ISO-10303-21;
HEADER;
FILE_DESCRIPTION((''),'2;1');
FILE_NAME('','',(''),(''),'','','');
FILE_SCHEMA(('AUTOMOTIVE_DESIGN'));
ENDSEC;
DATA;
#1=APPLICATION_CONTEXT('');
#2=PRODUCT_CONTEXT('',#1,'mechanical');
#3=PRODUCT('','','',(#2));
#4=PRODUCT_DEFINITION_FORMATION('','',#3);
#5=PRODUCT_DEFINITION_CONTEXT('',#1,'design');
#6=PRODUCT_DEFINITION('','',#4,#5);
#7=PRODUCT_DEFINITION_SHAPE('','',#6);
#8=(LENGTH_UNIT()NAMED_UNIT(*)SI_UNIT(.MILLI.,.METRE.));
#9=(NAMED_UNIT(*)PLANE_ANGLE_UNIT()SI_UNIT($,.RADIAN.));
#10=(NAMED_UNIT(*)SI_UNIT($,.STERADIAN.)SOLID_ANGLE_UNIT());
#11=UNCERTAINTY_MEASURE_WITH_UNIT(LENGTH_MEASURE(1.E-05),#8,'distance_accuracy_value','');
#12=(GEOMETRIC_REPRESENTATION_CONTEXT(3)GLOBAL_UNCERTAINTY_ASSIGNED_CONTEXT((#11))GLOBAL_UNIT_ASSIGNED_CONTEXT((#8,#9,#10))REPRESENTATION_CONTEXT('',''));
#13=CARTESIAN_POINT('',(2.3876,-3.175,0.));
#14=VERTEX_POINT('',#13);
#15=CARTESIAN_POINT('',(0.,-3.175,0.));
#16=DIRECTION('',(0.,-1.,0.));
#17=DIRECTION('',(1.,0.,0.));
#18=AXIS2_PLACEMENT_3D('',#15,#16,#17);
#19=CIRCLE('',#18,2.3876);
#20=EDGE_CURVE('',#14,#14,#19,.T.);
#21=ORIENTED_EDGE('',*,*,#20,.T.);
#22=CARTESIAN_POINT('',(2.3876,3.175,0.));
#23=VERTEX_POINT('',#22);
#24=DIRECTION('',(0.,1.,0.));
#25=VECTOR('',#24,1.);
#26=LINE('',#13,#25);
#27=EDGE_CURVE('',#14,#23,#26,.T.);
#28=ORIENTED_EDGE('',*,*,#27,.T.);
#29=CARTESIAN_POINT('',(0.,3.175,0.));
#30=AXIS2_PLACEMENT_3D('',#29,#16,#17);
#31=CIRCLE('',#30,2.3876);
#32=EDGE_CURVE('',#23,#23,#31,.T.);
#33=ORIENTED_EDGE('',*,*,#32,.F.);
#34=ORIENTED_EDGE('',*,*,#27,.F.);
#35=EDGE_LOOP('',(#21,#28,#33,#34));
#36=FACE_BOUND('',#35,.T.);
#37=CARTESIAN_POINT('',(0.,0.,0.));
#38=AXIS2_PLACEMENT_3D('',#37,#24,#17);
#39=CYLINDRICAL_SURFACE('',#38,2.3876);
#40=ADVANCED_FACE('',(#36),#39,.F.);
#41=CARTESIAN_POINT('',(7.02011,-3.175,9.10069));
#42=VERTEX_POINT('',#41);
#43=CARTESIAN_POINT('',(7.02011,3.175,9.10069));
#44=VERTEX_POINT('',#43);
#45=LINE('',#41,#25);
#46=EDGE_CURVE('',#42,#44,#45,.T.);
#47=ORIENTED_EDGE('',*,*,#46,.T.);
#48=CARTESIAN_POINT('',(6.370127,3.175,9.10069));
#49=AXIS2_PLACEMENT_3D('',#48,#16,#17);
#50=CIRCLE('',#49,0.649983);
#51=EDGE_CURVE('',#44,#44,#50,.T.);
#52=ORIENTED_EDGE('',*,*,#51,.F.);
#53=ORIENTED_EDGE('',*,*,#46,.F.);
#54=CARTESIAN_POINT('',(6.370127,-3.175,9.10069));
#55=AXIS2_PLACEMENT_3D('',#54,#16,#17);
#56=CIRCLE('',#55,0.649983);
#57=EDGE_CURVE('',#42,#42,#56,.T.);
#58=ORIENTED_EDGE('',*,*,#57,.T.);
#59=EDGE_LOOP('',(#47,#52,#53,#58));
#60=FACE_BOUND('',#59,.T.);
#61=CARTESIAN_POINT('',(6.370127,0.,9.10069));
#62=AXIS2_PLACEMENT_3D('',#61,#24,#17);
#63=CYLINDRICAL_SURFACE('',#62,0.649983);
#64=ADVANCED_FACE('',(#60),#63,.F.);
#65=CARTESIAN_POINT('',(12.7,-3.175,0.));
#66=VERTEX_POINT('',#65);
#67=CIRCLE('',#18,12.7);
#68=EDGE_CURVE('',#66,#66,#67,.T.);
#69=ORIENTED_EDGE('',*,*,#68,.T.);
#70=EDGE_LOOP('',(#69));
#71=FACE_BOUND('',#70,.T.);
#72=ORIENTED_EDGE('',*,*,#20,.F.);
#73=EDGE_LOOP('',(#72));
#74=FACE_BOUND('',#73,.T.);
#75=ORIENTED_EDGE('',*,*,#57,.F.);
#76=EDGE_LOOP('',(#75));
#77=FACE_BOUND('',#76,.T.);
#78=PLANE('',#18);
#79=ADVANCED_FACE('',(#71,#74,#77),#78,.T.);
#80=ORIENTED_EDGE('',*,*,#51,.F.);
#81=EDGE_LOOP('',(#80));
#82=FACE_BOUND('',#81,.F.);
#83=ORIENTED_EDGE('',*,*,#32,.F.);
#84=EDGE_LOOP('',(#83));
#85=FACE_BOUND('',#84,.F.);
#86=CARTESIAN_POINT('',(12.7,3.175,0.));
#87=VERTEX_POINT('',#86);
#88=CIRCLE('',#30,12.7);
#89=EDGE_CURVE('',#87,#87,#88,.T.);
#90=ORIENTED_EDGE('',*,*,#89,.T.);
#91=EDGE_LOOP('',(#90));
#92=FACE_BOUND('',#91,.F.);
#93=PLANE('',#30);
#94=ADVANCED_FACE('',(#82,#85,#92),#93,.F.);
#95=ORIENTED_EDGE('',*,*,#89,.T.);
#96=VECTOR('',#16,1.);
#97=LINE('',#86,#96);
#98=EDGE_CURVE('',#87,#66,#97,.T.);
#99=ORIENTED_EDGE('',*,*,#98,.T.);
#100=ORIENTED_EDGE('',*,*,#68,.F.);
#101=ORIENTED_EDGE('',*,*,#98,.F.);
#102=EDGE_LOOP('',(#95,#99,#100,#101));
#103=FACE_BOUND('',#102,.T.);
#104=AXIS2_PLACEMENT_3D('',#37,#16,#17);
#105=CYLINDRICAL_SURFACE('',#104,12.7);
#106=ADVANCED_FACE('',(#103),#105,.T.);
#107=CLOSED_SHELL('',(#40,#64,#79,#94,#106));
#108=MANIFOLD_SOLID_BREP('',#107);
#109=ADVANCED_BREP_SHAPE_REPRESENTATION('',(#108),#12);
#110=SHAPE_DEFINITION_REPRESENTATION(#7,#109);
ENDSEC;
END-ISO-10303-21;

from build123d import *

# Parameters (mm, degrees)
F0_R     = 12.7
F0_R_2   = 2.3876
F0_R_3   = 0.649983
F1_DEPTH = 3.175


with BuildPart() as f1:
    # F0 (on Front) → F1 (new body, symmetric)
    with BuildSketch(Plane.XZ):
        Circle(F0_R)
        Circle(F0_R_2, mode=Mode.SUBTRACT)
        with Locations((6.370127, 9.10069)):
            Circle(F0_R_3, mode=Mode.SUBTRACT)
    extrude(amount=F1_DEPTH, both=True)


solid = f1.part
